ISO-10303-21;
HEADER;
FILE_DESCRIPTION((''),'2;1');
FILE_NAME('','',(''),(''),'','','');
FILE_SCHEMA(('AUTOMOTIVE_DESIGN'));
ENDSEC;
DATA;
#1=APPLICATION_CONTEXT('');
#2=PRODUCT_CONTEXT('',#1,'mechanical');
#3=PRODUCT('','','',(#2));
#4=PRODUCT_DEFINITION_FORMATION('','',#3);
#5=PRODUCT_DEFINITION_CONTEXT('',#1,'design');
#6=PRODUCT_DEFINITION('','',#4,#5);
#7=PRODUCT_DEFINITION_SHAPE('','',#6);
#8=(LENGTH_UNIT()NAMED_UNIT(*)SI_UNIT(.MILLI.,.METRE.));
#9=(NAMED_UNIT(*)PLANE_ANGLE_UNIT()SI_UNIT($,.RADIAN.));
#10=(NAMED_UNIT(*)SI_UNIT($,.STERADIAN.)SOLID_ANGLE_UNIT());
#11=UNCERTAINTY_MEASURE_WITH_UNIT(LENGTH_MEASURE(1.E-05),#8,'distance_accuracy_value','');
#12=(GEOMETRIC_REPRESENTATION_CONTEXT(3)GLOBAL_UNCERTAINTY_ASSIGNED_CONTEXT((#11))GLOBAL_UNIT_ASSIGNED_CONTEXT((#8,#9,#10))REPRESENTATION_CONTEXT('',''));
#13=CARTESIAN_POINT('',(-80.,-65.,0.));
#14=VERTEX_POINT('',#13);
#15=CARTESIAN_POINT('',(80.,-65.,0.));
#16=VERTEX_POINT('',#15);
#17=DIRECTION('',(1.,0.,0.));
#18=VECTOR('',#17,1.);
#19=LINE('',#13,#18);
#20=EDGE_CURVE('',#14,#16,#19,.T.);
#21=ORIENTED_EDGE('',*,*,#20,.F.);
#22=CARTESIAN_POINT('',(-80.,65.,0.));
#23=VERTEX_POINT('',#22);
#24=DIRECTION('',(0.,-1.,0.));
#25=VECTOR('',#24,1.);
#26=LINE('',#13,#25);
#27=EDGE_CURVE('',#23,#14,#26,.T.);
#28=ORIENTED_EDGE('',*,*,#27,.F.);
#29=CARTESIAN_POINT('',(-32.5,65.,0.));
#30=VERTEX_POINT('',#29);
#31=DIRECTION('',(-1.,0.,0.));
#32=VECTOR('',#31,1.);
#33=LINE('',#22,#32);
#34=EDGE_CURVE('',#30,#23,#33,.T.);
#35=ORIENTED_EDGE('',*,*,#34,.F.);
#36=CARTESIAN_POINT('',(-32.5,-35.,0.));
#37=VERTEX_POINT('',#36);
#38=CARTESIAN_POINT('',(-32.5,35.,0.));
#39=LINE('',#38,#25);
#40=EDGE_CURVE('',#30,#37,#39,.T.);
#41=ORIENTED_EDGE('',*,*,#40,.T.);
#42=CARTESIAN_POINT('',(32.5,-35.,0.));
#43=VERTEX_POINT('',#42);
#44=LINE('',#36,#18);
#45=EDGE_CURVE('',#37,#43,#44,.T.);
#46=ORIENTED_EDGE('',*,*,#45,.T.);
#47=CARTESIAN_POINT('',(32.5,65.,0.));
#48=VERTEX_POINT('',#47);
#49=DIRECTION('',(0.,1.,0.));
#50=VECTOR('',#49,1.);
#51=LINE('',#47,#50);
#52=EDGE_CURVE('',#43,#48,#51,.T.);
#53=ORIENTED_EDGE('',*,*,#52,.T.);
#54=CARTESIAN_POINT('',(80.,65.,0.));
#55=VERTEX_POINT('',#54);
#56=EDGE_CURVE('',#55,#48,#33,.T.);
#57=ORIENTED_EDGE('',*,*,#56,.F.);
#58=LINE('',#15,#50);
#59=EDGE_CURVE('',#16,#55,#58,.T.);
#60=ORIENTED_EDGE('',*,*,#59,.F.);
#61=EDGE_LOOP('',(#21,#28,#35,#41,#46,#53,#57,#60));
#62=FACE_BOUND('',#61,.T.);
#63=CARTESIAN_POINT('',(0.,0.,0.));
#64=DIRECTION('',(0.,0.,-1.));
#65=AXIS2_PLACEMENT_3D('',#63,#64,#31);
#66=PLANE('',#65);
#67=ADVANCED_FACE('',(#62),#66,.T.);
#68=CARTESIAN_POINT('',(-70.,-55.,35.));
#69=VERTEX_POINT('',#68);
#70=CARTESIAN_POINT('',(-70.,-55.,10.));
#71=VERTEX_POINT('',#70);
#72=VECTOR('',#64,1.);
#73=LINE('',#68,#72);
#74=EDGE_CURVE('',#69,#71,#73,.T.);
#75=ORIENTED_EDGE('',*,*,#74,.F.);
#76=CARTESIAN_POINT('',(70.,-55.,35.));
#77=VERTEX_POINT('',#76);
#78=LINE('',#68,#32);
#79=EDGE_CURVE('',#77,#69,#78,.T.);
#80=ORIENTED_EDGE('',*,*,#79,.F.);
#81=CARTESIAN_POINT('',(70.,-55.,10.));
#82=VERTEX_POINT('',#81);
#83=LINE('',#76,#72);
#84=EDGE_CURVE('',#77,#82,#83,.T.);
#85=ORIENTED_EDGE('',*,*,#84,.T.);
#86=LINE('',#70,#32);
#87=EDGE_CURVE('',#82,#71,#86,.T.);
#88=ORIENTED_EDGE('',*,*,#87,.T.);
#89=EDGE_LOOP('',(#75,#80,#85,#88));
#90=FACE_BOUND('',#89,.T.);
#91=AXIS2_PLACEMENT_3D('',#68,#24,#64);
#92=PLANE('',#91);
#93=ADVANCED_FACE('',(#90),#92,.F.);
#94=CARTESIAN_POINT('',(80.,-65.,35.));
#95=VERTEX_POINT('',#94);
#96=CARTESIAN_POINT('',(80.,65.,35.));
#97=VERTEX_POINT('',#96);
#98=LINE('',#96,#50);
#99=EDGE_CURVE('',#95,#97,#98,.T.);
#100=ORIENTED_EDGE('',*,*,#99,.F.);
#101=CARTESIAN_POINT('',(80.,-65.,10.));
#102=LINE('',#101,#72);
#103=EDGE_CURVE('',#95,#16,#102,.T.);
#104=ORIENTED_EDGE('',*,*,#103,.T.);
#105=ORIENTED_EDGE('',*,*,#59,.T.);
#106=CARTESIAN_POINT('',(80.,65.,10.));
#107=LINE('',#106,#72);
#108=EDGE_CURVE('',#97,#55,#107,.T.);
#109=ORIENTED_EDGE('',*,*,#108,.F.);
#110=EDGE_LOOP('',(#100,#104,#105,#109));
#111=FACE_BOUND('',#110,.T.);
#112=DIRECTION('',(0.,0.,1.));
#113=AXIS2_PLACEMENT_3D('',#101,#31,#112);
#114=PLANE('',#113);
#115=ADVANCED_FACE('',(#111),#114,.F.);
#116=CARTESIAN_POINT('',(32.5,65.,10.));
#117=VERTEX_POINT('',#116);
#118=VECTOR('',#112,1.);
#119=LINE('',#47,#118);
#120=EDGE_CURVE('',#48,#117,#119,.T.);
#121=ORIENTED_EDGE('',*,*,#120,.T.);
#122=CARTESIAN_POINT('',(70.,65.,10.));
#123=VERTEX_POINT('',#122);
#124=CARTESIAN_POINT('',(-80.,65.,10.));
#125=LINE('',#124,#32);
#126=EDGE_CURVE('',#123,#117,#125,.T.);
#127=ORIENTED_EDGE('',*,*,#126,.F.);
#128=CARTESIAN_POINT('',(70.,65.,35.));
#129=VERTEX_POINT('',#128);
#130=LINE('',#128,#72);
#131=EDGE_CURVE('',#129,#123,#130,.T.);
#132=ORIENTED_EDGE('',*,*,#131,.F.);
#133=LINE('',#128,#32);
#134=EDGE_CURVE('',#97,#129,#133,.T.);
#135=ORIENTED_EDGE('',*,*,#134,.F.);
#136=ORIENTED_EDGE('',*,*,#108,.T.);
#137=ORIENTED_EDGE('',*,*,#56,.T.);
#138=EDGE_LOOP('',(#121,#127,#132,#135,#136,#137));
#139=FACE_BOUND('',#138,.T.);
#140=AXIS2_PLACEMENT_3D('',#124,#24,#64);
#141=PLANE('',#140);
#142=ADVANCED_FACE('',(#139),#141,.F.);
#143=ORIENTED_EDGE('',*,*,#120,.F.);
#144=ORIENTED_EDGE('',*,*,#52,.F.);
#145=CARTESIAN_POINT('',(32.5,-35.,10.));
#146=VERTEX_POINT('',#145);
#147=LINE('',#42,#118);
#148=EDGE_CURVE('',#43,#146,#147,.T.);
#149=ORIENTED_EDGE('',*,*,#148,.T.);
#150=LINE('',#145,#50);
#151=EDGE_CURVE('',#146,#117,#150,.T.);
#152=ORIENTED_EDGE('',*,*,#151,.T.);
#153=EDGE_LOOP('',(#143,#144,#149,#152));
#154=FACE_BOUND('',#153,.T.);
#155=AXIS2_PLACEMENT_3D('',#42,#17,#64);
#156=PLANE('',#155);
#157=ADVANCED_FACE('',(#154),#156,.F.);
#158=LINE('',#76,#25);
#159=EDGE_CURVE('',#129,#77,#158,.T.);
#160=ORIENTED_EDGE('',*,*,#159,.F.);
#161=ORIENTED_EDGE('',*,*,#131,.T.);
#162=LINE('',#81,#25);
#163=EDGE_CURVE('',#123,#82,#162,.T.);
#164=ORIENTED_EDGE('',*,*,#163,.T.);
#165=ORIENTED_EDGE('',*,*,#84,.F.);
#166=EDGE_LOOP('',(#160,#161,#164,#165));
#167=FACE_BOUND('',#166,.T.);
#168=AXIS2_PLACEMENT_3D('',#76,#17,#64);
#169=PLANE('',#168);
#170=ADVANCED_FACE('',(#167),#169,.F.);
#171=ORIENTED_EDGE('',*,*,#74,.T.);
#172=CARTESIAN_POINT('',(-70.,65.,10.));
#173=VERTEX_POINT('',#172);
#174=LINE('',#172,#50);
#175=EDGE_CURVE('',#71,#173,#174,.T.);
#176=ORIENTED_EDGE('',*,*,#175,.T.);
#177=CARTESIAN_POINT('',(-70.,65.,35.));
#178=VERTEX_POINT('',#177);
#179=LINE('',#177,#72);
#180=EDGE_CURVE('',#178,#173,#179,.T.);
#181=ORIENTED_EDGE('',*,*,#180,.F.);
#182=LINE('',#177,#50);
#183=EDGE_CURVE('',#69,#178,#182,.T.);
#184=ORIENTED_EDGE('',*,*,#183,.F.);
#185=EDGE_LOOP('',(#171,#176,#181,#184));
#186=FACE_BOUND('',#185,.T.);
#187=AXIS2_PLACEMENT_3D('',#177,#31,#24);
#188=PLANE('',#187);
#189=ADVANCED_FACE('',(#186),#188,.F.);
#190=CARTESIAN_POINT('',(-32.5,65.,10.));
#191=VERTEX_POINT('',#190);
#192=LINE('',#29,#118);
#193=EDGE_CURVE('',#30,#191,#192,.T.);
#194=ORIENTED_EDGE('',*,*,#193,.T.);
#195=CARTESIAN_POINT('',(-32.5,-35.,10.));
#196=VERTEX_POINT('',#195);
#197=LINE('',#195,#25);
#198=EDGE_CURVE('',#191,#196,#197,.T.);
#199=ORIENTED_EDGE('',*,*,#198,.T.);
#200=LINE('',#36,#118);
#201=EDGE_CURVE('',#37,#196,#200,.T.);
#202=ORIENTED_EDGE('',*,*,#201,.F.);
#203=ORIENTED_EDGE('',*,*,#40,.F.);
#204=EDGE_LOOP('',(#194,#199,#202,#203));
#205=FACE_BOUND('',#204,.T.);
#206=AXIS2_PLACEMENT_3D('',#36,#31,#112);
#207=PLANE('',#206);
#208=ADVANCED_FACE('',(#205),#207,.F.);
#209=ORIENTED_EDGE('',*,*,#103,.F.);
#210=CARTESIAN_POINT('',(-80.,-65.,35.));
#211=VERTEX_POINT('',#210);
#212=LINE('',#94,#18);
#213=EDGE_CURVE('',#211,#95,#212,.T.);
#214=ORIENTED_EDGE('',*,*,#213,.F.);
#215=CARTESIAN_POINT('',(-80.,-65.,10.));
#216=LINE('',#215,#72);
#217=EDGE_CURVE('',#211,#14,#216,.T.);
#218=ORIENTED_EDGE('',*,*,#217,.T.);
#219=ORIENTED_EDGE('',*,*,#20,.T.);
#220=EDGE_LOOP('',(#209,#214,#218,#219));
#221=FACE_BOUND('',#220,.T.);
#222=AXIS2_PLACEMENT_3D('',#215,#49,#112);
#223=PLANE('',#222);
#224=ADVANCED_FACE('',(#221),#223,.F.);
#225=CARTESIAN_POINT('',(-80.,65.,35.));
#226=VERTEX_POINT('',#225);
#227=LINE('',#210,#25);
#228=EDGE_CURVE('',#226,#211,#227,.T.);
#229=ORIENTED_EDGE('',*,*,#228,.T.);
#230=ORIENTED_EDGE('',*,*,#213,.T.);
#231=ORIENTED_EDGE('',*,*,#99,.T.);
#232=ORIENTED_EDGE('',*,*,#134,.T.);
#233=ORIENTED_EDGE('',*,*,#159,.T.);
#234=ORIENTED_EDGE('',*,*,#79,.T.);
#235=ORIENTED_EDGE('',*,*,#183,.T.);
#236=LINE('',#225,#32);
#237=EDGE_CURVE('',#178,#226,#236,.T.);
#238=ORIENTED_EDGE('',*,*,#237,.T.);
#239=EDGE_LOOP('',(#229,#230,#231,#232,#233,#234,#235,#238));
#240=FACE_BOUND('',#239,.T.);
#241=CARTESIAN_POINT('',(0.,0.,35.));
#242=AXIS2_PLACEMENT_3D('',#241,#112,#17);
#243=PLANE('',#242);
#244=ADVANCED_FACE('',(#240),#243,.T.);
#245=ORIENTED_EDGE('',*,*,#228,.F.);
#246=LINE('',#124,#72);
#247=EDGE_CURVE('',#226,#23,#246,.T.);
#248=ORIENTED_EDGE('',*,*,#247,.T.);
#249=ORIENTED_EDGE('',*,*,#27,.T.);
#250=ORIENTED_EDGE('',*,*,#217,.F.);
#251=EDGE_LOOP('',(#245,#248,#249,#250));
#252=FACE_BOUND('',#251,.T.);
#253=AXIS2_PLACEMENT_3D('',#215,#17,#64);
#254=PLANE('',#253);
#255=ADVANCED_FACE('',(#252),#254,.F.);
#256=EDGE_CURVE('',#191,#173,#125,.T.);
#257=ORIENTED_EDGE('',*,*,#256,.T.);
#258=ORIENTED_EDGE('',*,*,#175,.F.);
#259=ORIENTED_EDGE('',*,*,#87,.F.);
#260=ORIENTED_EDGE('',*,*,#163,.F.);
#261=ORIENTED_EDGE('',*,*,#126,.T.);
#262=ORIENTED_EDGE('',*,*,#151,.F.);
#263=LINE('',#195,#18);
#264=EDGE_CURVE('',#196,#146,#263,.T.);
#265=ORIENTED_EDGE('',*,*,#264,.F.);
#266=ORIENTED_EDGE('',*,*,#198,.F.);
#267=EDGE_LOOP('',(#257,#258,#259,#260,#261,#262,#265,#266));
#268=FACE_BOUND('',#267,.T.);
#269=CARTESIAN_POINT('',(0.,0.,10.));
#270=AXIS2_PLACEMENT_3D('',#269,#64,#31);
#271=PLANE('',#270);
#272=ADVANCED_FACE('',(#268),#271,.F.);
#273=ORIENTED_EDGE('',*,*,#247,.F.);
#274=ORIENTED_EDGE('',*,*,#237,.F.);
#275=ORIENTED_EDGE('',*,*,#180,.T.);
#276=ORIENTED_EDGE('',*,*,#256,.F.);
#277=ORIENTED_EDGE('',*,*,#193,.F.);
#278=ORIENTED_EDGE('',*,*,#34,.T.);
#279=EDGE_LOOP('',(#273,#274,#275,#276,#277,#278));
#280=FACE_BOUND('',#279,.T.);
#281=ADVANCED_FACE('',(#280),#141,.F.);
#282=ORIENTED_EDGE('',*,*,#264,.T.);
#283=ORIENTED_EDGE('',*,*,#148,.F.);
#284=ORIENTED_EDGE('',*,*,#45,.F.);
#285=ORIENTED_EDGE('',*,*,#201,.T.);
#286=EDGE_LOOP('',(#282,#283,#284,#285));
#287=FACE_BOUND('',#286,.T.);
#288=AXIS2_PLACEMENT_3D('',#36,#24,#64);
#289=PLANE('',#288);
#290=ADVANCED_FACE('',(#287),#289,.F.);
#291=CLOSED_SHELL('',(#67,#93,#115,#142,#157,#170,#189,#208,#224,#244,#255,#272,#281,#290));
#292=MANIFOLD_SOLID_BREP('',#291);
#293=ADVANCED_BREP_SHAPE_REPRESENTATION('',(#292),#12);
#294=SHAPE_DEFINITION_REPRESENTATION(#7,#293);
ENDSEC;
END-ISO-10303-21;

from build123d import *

# Parameters (mm, degrees)
SKETCH_1_W          = 160
SKETCH_1_H          = 130
EXTRUDE_1_DEPTH     = 10
CUT_EXTRUDE_1_DEPTH = 10
EXTRUDE_2_DEPTH     = 25


with BuildPart() as part:
    # 草图1 → 凸台-拉伸1 (new body)
    with BuildSketch(Plane.XY):
        Rectangle(SKETCH_1_W, SKETCH_1_H)
    extrude(amount=EXTRUDE_1_DEPTH)

    # 草图2 → 切除-拉伸1 (cut)
    with BuildSketch(Plane.XY.offset(10)):
        Polygon((-32.5, 35), (-32.5, 65), (32.5, 65), (32.5, 35), (32.5, -35), (-32.5, -35), align=None)
    extrude(amount=-CUT_EXTRUDE_1_DEPTH, mode=Mode.SUBTRACT)

    # 草图3 → 凸台-拉伸2 (add)
    with BuildSketch(Plane.XY.offset(10)):
        Polygon((-70, 65), (-70, -55), (70, -55), (70, 65), (80, 65), (80, -65), (-80, -65), (-80, 65), align=None)
    extrude(amount=EXTRUDE_2_DEPTH)


solid = part.part
